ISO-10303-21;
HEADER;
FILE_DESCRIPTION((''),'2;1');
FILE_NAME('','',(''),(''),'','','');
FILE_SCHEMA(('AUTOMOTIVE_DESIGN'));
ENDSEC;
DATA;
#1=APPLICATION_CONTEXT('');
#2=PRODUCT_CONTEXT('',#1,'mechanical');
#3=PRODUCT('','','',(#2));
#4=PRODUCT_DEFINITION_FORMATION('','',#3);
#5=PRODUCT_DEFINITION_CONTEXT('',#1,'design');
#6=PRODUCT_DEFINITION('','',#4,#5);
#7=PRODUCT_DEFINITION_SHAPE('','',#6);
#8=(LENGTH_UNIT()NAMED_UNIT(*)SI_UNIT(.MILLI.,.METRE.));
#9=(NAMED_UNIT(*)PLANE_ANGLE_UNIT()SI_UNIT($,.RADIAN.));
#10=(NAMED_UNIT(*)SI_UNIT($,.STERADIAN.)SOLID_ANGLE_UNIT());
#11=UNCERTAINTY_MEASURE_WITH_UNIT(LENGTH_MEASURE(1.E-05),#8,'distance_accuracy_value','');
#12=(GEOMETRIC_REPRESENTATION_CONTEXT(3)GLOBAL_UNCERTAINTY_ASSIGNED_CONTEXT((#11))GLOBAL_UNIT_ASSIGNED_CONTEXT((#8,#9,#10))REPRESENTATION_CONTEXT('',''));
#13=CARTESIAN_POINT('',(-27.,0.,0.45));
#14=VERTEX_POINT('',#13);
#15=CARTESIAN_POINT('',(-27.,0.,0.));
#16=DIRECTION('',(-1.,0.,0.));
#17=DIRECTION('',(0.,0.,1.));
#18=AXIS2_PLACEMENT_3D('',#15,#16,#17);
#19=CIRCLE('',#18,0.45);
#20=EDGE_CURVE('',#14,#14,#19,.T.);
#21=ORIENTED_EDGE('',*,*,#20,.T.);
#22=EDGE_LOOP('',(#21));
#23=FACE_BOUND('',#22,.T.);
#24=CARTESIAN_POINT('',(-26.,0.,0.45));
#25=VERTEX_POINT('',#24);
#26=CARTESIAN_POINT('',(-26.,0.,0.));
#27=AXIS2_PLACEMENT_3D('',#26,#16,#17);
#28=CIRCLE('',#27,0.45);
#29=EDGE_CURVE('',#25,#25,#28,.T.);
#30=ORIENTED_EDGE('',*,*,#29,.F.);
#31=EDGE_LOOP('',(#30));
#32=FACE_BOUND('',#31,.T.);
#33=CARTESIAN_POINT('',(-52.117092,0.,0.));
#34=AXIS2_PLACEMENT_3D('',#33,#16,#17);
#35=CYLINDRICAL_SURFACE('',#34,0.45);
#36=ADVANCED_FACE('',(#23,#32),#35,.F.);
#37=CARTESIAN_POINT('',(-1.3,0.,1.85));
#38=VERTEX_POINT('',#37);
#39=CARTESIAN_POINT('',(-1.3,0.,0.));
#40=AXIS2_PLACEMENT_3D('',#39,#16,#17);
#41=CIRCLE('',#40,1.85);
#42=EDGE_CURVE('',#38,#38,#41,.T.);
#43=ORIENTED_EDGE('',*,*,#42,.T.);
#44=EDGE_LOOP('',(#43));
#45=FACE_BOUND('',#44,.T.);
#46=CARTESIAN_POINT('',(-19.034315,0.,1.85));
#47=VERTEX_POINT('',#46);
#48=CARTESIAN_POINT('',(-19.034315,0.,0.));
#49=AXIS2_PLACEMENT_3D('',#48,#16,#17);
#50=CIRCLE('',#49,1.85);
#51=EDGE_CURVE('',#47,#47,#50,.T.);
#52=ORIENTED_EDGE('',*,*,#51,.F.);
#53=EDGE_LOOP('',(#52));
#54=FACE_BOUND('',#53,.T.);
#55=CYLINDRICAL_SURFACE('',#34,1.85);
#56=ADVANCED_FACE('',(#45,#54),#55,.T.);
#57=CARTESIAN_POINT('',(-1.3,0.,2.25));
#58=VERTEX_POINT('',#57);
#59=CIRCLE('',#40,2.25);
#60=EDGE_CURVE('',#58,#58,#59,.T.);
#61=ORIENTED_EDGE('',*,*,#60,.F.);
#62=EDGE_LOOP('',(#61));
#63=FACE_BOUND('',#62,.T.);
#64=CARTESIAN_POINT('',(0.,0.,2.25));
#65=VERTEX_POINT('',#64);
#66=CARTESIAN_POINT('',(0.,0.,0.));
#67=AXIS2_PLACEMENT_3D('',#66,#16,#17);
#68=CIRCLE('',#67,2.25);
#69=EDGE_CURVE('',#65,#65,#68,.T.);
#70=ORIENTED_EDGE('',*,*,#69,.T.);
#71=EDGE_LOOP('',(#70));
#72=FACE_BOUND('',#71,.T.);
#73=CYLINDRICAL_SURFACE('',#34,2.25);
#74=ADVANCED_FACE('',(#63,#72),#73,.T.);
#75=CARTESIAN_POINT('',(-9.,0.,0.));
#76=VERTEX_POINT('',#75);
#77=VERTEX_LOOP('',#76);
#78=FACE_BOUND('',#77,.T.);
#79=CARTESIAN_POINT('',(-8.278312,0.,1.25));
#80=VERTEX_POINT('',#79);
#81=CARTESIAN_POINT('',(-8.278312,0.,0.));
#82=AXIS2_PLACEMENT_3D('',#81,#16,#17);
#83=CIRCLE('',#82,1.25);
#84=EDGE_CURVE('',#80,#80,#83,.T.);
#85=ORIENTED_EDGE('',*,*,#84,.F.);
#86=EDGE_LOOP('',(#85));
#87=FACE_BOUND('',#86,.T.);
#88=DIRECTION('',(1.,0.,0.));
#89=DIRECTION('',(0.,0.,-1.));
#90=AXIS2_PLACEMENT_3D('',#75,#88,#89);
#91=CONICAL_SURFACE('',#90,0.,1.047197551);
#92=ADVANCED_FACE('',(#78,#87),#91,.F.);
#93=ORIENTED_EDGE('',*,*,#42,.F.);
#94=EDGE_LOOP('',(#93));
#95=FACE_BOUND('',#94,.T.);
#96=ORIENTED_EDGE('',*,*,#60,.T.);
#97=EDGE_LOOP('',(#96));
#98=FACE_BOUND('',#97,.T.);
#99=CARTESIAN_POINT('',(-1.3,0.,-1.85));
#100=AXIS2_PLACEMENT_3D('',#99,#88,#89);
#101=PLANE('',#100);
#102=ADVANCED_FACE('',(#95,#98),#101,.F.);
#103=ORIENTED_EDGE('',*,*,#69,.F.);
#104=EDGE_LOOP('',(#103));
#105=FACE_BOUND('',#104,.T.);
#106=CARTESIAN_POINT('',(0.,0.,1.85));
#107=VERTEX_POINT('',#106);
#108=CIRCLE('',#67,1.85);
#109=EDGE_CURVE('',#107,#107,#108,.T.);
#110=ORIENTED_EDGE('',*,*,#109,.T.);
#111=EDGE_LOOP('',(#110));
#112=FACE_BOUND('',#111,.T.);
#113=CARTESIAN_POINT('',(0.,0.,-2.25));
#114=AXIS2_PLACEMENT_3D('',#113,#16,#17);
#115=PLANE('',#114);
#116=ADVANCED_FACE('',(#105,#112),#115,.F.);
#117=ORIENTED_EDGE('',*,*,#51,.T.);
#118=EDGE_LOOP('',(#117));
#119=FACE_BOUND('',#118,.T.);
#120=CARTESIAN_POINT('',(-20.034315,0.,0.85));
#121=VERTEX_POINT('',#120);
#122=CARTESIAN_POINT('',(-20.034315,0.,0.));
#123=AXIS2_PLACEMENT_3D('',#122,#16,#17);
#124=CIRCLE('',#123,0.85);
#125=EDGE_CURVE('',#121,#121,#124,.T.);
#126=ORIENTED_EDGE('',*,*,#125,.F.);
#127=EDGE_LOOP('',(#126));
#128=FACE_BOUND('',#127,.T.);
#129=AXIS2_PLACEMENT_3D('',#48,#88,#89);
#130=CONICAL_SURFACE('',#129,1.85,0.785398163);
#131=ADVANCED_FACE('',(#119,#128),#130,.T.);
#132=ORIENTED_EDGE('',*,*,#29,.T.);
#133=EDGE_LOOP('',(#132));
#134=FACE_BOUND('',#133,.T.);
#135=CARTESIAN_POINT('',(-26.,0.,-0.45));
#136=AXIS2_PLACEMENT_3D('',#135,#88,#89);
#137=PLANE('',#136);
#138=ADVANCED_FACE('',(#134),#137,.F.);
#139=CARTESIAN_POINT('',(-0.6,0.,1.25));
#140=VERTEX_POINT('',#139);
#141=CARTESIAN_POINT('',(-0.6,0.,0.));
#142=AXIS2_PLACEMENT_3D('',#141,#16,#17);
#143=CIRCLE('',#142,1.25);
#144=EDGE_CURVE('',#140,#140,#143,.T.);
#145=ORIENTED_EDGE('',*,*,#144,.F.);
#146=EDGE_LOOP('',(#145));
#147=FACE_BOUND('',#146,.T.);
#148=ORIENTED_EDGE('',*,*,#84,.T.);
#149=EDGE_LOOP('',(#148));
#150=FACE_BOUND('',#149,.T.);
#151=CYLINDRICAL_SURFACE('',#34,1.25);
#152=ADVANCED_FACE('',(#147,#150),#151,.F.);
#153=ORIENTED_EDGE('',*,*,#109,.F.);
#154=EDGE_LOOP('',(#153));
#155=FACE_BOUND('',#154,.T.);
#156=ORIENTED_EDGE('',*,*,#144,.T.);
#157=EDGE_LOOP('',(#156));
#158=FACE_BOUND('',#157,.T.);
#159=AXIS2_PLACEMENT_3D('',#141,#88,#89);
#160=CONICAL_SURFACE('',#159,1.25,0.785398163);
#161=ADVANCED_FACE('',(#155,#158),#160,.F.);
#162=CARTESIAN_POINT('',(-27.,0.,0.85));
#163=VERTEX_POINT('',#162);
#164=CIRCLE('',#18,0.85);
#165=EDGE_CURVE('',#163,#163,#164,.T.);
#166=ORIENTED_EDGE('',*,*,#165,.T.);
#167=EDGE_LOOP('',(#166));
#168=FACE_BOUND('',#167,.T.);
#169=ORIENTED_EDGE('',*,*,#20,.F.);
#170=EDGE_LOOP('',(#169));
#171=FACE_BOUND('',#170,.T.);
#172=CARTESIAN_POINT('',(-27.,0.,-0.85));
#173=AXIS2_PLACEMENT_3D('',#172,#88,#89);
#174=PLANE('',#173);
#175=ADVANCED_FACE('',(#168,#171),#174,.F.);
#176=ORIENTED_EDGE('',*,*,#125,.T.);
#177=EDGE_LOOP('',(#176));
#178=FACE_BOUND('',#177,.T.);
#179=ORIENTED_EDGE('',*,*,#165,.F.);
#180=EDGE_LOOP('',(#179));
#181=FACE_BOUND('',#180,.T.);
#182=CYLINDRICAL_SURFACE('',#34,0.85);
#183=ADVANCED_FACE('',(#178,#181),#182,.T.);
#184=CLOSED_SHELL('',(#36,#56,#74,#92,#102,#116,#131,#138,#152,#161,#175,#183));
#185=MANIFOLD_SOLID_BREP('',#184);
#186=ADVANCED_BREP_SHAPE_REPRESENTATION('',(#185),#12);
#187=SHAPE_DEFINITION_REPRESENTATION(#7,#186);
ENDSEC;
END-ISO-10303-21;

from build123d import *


with BuildPart() as part:
    # Sketch1 → Revolve2 (revolve)
    with BuildSketch(Plane(origin=(0, 0, 0), x_dir=(1, 0, 0), z_dir=(0, 1, 0)), mode=Mode.PRIVATE) as revolve2_sk:
        Polygon((-27, 0.85), (-20.034314575, 0.85), (-19.034314575, 1.85), (-1.3, 1.85), (-1.3, 2.25), (0, 2.25), (0, 1.85), (-0.6, 1.25), (-8.278312164, 1.25), (-9, 0), (-26, 0), (-26, 0.45), (-27, 0.45), align=None)
    revolve(revolve2_sk.sketch.rotate(Axis((-52.117092297, 0, 0), (1, 0, 0)), 180), axis=Axis((-52.117092297, 0, 0), (1, 0, 0)))


solid = part.part
